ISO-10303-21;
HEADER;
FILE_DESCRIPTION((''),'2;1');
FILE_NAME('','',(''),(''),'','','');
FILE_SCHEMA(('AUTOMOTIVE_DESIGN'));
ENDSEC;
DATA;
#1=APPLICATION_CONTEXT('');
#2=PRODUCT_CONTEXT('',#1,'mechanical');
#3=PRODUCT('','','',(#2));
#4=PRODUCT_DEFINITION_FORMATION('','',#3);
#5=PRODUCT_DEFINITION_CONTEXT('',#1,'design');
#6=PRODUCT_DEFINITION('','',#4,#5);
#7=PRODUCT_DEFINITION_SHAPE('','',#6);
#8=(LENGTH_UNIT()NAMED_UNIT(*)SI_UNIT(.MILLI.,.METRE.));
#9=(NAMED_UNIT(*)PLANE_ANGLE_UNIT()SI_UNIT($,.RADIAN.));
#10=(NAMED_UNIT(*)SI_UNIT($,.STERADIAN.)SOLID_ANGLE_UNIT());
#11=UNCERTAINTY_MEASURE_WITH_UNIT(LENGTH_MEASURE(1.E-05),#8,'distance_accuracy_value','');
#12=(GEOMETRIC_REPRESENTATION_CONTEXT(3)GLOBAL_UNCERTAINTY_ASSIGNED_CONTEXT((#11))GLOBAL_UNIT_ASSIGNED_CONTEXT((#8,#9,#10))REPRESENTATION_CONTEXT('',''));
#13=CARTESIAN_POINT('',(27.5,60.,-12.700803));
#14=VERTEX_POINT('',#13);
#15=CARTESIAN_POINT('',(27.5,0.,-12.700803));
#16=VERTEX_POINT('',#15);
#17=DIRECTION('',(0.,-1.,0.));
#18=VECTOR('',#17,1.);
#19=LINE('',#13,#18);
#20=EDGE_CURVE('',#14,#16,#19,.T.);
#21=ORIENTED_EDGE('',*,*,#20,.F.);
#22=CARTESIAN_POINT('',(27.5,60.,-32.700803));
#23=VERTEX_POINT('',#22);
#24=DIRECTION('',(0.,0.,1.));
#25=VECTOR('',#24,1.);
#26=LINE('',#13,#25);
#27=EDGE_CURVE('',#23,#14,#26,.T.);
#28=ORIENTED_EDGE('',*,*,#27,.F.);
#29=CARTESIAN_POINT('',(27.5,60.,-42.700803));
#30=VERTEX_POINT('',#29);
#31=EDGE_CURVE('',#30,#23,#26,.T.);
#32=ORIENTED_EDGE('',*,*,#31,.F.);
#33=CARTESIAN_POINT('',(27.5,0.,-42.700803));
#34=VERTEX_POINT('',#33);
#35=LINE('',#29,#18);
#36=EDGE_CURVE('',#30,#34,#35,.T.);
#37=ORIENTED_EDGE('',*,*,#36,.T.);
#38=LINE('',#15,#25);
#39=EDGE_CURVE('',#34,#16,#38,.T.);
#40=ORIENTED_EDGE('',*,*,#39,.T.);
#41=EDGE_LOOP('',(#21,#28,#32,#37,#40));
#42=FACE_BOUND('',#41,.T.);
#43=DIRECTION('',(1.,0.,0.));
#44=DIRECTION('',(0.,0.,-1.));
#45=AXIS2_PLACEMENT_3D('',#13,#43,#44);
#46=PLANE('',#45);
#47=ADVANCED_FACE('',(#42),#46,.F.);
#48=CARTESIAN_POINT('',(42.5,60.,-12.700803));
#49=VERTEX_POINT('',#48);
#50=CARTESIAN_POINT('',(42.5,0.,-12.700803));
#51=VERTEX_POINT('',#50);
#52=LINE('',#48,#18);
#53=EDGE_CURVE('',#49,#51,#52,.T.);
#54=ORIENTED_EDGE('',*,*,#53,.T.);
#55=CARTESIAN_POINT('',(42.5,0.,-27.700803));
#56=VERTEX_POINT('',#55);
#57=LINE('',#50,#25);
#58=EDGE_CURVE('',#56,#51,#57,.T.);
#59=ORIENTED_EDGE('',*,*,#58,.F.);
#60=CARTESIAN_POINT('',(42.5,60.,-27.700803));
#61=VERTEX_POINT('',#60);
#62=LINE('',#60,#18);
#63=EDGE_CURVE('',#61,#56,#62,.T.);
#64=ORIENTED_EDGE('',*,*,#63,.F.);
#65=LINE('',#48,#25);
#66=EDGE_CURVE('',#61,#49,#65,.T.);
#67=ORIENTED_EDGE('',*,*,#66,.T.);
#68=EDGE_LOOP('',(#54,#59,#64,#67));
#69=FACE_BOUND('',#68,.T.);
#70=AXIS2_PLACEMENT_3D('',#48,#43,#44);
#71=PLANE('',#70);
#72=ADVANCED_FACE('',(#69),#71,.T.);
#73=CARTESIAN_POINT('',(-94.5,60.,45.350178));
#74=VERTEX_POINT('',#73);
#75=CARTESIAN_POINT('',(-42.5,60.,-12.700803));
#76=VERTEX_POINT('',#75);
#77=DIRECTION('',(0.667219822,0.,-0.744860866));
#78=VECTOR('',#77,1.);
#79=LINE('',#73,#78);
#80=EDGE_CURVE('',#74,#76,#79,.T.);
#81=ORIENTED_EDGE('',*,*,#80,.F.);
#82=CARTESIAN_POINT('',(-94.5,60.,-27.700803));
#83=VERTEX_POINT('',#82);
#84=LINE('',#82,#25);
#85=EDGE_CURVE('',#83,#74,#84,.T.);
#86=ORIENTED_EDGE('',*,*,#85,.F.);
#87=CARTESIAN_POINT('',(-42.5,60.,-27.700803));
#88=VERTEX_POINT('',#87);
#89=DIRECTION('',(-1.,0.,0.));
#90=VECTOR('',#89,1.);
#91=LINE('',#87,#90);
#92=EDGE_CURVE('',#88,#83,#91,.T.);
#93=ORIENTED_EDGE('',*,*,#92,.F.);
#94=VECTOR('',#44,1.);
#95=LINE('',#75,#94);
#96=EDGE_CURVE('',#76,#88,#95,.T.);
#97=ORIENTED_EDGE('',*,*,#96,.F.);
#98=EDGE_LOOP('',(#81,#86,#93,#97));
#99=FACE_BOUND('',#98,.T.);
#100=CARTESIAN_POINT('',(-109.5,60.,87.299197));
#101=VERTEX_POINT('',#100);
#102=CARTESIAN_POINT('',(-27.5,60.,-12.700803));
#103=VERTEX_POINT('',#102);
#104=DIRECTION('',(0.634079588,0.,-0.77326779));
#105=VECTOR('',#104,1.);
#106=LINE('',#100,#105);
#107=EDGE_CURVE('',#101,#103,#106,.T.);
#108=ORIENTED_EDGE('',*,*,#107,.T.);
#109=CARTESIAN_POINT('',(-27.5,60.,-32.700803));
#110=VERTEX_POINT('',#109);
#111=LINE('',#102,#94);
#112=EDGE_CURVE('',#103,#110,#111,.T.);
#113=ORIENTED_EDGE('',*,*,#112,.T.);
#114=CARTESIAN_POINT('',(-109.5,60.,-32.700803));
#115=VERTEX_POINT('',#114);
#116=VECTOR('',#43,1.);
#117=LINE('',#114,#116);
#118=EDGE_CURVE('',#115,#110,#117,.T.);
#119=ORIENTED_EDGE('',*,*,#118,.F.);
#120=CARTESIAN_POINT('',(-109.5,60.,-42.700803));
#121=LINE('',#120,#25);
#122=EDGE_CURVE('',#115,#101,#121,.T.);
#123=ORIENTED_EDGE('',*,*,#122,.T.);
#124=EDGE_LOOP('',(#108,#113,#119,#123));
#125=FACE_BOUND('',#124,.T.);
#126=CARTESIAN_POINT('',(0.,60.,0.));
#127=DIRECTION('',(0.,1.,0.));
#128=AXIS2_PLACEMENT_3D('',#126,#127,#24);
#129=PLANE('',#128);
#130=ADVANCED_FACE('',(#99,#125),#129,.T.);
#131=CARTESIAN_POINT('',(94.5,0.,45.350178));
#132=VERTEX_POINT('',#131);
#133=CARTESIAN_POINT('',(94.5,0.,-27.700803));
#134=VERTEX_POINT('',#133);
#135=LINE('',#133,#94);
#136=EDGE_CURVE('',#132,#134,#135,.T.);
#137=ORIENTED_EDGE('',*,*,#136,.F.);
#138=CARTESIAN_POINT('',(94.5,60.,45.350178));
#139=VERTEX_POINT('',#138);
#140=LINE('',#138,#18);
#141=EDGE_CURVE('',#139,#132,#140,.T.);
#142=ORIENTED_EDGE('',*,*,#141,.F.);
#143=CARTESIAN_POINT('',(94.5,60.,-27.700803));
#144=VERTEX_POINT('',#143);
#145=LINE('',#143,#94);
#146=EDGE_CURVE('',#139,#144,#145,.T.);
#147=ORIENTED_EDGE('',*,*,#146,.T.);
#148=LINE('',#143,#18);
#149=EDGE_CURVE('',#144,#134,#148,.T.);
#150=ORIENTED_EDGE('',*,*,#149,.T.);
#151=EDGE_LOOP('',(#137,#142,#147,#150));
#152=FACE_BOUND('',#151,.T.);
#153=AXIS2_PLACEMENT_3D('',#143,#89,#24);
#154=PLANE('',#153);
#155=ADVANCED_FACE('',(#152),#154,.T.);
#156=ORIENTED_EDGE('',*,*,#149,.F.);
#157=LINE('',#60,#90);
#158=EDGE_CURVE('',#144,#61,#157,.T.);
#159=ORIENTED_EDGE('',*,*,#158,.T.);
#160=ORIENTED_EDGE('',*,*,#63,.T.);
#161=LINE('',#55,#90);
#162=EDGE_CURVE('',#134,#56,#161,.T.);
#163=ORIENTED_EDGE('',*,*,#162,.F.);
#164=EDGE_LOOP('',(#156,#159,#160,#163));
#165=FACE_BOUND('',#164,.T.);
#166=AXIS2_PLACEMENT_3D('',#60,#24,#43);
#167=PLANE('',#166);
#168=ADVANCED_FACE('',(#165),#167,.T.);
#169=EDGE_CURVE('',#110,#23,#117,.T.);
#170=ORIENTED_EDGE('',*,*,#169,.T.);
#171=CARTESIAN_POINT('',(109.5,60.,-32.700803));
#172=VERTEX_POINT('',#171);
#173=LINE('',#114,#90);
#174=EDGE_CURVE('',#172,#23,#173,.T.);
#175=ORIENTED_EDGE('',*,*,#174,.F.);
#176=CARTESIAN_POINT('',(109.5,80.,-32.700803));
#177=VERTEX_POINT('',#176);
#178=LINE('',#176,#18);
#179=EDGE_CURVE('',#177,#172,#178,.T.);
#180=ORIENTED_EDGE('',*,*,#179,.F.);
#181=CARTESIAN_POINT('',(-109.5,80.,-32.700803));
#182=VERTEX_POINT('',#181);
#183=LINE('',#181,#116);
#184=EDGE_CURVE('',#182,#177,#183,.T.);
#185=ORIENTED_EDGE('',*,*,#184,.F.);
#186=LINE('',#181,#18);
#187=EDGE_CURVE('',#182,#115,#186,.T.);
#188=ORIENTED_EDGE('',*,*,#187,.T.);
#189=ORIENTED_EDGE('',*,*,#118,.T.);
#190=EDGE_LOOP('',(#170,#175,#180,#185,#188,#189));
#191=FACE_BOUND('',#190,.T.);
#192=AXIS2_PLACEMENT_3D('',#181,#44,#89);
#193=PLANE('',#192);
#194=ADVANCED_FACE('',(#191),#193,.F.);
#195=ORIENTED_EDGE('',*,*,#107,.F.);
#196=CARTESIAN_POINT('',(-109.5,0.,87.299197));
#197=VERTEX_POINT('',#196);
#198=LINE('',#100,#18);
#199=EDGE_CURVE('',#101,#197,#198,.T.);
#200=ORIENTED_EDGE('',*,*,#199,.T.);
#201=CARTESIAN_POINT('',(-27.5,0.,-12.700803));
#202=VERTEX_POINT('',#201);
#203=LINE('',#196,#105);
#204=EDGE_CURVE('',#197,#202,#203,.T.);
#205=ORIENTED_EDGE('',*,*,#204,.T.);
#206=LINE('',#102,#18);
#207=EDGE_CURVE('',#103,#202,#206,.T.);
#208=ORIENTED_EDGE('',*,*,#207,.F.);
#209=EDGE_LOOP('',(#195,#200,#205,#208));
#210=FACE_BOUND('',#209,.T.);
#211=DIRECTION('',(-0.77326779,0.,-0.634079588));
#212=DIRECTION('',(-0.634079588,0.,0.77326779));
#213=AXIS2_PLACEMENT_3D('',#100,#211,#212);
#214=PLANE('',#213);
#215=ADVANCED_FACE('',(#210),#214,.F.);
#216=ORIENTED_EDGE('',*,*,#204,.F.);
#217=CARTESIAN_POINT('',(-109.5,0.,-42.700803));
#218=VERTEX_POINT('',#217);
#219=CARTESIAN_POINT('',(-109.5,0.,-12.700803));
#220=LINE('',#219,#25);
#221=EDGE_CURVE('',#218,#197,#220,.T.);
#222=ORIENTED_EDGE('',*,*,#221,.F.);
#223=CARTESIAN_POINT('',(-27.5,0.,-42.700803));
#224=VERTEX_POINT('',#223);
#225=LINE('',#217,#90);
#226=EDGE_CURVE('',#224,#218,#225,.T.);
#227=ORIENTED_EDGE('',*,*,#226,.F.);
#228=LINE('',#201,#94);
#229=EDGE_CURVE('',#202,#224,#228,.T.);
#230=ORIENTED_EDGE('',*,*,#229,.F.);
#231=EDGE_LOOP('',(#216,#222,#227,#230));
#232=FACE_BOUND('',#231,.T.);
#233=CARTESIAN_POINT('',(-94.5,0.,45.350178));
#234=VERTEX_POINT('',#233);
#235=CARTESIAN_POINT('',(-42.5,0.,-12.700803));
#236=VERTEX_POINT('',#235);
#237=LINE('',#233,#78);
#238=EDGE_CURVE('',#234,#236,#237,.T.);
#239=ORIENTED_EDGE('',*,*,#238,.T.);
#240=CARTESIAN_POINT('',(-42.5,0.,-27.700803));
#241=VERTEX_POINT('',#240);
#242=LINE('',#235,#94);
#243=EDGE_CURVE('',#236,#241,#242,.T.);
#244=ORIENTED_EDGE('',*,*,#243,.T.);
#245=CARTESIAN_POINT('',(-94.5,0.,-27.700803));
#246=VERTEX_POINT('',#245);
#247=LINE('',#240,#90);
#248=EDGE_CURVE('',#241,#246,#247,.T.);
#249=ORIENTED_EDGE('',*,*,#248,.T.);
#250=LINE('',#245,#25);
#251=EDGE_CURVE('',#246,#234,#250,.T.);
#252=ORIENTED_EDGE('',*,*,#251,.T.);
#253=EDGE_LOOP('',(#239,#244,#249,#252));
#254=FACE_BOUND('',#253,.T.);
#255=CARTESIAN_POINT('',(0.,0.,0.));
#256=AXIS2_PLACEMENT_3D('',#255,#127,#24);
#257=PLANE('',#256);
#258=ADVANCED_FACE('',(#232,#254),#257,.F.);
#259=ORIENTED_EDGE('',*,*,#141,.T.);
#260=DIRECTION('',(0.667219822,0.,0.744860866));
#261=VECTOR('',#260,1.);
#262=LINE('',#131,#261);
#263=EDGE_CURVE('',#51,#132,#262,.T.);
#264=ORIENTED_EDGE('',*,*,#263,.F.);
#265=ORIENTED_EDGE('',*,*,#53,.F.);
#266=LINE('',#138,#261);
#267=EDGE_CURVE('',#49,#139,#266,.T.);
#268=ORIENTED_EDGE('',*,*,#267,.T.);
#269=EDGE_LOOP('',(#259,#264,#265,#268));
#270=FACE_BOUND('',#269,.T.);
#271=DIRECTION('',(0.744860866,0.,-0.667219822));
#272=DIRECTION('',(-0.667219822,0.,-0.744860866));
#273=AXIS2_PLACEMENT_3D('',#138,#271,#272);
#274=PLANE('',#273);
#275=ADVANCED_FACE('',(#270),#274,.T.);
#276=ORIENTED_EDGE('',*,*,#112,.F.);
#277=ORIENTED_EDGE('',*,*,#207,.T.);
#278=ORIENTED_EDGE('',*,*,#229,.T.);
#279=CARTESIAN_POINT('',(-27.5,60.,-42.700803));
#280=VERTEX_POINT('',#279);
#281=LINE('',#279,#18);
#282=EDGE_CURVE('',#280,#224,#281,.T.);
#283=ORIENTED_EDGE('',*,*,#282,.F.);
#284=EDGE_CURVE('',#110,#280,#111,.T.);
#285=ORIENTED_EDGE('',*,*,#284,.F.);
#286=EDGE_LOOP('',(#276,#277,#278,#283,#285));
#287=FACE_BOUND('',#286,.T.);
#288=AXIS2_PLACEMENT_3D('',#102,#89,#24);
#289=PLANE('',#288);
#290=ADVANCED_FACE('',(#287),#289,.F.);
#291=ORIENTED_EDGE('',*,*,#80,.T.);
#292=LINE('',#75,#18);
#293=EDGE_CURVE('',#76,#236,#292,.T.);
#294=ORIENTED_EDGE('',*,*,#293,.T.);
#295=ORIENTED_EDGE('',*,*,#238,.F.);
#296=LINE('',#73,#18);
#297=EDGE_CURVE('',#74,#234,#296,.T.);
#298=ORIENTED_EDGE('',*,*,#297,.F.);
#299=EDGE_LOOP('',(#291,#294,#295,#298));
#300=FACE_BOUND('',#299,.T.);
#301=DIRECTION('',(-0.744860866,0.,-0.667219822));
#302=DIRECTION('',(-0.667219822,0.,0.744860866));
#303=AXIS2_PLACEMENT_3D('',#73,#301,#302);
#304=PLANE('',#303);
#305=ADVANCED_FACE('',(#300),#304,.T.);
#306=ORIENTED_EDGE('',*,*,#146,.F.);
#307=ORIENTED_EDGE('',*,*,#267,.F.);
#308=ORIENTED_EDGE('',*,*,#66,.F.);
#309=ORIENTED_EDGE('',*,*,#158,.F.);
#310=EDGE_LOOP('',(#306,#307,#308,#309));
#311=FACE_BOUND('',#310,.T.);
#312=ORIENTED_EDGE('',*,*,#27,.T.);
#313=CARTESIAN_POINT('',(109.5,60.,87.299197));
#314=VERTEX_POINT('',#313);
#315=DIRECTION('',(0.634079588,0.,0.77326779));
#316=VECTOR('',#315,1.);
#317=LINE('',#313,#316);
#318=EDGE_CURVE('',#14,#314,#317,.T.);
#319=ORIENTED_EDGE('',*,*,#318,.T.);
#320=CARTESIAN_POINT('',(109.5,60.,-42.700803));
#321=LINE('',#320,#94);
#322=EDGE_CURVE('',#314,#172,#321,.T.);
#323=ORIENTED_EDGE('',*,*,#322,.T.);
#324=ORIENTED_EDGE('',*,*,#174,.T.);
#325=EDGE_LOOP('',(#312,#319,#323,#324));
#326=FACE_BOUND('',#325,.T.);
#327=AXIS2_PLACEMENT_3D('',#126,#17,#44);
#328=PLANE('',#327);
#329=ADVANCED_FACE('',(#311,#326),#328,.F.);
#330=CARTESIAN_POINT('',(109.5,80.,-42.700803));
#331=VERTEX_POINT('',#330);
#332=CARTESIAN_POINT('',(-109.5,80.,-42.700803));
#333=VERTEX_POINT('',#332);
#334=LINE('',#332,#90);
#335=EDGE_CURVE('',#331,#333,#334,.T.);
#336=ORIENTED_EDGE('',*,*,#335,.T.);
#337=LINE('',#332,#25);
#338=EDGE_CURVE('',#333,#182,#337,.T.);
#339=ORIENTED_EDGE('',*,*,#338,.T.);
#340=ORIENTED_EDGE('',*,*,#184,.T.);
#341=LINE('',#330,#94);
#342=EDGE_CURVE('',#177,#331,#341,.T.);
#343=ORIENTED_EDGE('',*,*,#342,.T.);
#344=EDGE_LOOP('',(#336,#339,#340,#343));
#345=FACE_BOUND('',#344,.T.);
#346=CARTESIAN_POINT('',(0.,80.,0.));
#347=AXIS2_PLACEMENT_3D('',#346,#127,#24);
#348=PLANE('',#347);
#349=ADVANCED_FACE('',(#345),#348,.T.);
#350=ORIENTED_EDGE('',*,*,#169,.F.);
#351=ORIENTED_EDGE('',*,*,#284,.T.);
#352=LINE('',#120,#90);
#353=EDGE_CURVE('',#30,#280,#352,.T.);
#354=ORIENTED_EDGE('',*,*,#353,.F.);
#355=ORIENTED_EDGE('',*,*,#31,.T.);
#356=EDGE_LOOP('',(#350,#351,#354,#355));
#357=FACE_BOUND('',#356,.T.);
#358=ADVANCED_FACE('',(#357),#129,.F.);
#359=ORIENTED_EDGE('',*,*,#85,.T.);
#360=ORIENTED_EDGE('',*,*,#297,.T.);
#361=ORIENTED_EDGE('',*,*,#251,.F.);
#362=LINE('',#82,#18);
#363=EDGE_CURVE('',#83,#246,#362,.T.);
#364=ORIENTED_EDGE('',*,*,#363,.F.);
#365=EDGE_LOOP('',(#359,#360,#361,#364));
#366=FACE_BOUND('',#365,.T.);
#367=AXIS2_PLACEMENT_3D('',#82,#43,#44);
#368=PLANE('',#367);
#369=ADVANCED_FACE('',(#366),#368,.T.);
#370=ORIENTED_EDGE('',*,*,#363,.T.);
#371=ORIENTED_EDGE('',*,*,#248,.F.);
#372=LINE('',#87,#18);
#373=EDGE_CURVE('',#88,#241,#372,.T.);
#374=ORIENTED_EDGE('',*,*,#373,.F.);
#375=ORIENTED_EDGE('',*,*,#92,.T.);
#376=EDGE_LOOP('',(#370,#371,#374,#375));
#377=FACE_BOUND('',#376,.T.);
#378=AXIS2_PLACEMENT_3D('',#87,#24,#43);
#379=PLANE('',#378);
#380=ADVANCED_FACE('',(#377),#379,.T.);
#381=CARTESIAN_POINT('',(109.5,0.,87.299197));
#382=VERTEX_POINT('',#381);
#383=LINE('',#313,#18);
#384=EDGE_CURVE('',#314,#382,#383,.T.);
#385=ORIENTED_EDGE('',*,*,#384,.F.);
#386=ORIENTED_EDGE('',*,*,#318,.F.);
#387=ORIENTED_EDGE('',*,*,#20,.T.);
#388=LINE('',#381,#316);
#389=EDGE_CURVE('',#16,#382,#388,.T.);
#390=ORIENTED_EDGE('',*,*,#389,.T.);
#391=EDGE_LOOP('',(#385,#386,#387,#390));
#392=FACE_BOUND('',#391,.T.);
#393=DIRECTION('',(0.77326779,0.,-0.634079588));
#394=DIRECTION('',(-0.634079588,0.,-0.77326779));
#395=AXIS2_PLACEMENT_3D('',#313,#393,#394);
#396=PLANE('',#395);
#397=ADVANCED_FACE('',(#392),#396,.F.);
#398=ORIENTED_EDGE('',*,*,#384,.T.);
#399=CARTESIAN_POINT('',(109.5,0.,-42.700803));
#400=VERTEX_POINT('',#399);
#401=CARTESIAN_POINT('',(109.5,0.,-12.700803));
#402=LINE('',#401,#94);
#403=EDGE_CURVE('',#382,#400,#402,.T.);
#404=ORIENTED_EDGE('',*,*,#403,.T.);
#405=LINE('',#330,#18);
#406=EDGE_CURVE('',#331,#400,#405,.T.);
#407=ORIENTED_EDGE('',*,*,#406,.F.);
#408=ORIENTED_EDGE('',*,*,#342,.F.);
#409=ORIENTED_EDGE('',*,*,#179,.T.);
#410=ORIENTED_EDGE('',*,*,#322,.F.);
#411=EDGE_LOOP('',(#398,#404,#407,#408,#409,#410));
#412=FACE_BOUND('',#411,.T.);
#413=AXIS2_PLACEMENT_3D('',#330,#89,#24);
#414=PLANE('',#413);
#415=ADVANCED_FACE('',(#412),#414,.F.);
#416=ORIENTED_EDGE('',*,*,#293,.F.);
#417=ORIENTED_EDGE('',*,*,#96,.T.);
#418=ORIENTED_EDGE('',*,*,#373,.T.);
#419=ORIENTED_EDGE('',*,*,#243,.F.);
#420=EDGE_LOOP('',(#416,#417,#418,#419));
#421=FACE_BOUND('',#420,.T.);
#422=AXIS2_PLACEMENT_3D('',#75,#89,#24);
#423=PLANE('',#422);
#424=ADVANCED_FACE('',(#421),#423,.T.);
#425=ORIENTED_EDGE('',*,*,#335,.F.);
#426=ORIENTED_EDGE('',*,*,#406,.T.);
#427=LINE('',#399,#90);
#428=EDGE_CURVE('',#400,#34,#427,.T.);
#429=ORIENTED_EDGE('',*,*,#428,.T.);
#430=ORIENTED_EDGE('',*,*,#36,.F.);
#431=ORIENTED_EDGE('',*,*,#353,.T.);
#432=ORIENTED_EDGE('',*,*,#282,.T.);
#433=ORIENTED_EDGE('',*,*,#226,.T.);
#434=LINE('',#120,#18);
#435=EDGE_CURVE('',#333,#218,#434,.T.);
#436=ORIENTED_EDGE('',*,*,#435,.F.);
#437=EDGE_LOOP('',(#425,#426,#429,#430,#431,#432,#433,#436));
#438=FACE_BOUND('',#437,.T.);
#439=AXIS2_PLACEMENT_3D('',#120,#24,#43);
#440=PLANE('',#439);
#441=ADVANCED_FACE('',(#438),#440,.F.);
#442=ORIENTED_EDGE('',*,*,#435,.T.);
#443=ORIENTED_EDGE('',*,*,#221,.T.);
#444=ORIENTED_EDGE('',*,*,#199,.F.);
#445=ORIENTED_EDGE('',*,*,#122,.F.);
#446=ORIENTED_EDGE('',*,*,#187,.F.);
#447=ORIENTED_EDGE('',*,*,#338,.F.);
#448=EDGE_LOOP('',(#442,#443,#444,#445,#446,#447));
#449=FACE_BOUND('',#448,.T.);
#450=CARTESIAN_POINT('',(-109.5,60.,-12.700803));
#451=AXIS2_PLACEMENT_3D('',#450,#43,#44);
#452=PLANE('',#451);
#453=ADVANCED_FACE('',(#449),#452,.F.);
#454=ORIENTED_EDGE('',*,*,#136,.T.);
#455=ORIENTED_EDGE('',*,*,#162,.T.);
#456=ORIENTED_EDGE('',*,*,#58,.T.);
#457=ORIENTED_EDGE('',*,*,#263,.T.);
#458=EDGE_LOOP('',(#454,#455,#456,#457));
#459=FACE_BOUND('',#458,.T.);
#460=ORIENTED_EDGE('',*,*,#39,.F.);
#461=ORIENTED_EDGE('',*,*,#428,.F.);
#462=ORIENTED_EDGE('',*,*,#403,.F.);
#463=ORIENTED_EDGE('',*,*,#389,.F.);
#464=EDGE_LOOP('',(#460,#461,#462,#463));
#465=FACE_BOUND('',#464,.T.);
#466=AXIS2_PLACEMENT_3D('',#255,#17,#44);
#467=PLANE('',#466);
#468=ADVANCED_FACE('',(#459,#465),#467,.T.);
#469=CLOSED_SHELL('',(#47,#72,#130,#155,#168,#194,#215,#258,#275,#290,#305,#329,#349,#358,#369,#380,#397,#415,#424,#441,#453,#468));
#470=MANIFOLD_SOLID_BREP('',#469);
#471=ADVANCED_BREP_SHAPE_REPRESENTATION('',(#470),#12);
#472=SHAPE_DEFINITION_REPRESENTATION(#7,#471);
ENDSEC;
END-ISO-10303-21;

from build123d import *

# Parameters (mm, degrees)
BOSS_EXTRUDE1_DEPTH   = 60
BOSS_EXTRUDE1_2_DEPTH = 60
SKETCH3_W             = 219
SKETCH3_H             = 10
BOSS_EXTRUDE3_DEPTH   = 20


with BuildPart() as part:
    # Sketch1 → Boss-Extrude1 (new body)
    with BuildSketch(Plane(origin=(0, 0, 0), x_dir=(1, 0, 0), z_dir=(0, 1, 0))):
        Polygon((-109.5, 12.700803213), (-109.5, -87.299196787), (-27.5, 12.700803213), (-27.5, 42.700803213), (-109.5, 42.700803213), align=None)
        Polygon((-94.5, 27.700803213), (-94.5, -45.350177528), (-42.5, 12.700803213), (-42.5, 27.700803213), align=None, mode=Mode.SUBTRACT)
    extrude(amount=BOSS_EXTRUDE1_DEPTH)



with BuildPart() as body_2:
    # Sketch1 → Boss-Extrude1 2 (new body)
    with BuildSketch(Plane(origin=(0, 0, 0), x_dir=(1, 0, 0), z_dir=(0, 1, 0))):
        Polygon((109.5, 42.700803213), (27.5, 42.700803213), (27.5, 12.700803213), (109.5, -87.299196787), (109.5, 12.700803213), align=None)
        Polygon((42.5, 12.700803213), (42.5, 27.700803213), (94.5, 27.700803213), (94.5, -45.350177528), align=None, mode=Mode.SUBTRACT)
    extrude(amount=BOSS_EXTRUDE1_2_DEPTH)


with BuildPart() as part_1:
    add(part.part)

    add(body_2.part)  # Boss-Extrude3 merges body 2
    # Sketch3 → Boss-Extrude3 (add)
    with BuildSketch(Plane(origin=(0, 60, 0), x_dir=(1, 0, 0), z_dir=(0, 1, 0))):
        with Locations((0, 37.700803213)):
            Rectangle(SKETCH3_W, SKETCH3_H)
    extrude(amount=BOSS_EXTRUDE3_DEPTH)


solid = part_1.part
